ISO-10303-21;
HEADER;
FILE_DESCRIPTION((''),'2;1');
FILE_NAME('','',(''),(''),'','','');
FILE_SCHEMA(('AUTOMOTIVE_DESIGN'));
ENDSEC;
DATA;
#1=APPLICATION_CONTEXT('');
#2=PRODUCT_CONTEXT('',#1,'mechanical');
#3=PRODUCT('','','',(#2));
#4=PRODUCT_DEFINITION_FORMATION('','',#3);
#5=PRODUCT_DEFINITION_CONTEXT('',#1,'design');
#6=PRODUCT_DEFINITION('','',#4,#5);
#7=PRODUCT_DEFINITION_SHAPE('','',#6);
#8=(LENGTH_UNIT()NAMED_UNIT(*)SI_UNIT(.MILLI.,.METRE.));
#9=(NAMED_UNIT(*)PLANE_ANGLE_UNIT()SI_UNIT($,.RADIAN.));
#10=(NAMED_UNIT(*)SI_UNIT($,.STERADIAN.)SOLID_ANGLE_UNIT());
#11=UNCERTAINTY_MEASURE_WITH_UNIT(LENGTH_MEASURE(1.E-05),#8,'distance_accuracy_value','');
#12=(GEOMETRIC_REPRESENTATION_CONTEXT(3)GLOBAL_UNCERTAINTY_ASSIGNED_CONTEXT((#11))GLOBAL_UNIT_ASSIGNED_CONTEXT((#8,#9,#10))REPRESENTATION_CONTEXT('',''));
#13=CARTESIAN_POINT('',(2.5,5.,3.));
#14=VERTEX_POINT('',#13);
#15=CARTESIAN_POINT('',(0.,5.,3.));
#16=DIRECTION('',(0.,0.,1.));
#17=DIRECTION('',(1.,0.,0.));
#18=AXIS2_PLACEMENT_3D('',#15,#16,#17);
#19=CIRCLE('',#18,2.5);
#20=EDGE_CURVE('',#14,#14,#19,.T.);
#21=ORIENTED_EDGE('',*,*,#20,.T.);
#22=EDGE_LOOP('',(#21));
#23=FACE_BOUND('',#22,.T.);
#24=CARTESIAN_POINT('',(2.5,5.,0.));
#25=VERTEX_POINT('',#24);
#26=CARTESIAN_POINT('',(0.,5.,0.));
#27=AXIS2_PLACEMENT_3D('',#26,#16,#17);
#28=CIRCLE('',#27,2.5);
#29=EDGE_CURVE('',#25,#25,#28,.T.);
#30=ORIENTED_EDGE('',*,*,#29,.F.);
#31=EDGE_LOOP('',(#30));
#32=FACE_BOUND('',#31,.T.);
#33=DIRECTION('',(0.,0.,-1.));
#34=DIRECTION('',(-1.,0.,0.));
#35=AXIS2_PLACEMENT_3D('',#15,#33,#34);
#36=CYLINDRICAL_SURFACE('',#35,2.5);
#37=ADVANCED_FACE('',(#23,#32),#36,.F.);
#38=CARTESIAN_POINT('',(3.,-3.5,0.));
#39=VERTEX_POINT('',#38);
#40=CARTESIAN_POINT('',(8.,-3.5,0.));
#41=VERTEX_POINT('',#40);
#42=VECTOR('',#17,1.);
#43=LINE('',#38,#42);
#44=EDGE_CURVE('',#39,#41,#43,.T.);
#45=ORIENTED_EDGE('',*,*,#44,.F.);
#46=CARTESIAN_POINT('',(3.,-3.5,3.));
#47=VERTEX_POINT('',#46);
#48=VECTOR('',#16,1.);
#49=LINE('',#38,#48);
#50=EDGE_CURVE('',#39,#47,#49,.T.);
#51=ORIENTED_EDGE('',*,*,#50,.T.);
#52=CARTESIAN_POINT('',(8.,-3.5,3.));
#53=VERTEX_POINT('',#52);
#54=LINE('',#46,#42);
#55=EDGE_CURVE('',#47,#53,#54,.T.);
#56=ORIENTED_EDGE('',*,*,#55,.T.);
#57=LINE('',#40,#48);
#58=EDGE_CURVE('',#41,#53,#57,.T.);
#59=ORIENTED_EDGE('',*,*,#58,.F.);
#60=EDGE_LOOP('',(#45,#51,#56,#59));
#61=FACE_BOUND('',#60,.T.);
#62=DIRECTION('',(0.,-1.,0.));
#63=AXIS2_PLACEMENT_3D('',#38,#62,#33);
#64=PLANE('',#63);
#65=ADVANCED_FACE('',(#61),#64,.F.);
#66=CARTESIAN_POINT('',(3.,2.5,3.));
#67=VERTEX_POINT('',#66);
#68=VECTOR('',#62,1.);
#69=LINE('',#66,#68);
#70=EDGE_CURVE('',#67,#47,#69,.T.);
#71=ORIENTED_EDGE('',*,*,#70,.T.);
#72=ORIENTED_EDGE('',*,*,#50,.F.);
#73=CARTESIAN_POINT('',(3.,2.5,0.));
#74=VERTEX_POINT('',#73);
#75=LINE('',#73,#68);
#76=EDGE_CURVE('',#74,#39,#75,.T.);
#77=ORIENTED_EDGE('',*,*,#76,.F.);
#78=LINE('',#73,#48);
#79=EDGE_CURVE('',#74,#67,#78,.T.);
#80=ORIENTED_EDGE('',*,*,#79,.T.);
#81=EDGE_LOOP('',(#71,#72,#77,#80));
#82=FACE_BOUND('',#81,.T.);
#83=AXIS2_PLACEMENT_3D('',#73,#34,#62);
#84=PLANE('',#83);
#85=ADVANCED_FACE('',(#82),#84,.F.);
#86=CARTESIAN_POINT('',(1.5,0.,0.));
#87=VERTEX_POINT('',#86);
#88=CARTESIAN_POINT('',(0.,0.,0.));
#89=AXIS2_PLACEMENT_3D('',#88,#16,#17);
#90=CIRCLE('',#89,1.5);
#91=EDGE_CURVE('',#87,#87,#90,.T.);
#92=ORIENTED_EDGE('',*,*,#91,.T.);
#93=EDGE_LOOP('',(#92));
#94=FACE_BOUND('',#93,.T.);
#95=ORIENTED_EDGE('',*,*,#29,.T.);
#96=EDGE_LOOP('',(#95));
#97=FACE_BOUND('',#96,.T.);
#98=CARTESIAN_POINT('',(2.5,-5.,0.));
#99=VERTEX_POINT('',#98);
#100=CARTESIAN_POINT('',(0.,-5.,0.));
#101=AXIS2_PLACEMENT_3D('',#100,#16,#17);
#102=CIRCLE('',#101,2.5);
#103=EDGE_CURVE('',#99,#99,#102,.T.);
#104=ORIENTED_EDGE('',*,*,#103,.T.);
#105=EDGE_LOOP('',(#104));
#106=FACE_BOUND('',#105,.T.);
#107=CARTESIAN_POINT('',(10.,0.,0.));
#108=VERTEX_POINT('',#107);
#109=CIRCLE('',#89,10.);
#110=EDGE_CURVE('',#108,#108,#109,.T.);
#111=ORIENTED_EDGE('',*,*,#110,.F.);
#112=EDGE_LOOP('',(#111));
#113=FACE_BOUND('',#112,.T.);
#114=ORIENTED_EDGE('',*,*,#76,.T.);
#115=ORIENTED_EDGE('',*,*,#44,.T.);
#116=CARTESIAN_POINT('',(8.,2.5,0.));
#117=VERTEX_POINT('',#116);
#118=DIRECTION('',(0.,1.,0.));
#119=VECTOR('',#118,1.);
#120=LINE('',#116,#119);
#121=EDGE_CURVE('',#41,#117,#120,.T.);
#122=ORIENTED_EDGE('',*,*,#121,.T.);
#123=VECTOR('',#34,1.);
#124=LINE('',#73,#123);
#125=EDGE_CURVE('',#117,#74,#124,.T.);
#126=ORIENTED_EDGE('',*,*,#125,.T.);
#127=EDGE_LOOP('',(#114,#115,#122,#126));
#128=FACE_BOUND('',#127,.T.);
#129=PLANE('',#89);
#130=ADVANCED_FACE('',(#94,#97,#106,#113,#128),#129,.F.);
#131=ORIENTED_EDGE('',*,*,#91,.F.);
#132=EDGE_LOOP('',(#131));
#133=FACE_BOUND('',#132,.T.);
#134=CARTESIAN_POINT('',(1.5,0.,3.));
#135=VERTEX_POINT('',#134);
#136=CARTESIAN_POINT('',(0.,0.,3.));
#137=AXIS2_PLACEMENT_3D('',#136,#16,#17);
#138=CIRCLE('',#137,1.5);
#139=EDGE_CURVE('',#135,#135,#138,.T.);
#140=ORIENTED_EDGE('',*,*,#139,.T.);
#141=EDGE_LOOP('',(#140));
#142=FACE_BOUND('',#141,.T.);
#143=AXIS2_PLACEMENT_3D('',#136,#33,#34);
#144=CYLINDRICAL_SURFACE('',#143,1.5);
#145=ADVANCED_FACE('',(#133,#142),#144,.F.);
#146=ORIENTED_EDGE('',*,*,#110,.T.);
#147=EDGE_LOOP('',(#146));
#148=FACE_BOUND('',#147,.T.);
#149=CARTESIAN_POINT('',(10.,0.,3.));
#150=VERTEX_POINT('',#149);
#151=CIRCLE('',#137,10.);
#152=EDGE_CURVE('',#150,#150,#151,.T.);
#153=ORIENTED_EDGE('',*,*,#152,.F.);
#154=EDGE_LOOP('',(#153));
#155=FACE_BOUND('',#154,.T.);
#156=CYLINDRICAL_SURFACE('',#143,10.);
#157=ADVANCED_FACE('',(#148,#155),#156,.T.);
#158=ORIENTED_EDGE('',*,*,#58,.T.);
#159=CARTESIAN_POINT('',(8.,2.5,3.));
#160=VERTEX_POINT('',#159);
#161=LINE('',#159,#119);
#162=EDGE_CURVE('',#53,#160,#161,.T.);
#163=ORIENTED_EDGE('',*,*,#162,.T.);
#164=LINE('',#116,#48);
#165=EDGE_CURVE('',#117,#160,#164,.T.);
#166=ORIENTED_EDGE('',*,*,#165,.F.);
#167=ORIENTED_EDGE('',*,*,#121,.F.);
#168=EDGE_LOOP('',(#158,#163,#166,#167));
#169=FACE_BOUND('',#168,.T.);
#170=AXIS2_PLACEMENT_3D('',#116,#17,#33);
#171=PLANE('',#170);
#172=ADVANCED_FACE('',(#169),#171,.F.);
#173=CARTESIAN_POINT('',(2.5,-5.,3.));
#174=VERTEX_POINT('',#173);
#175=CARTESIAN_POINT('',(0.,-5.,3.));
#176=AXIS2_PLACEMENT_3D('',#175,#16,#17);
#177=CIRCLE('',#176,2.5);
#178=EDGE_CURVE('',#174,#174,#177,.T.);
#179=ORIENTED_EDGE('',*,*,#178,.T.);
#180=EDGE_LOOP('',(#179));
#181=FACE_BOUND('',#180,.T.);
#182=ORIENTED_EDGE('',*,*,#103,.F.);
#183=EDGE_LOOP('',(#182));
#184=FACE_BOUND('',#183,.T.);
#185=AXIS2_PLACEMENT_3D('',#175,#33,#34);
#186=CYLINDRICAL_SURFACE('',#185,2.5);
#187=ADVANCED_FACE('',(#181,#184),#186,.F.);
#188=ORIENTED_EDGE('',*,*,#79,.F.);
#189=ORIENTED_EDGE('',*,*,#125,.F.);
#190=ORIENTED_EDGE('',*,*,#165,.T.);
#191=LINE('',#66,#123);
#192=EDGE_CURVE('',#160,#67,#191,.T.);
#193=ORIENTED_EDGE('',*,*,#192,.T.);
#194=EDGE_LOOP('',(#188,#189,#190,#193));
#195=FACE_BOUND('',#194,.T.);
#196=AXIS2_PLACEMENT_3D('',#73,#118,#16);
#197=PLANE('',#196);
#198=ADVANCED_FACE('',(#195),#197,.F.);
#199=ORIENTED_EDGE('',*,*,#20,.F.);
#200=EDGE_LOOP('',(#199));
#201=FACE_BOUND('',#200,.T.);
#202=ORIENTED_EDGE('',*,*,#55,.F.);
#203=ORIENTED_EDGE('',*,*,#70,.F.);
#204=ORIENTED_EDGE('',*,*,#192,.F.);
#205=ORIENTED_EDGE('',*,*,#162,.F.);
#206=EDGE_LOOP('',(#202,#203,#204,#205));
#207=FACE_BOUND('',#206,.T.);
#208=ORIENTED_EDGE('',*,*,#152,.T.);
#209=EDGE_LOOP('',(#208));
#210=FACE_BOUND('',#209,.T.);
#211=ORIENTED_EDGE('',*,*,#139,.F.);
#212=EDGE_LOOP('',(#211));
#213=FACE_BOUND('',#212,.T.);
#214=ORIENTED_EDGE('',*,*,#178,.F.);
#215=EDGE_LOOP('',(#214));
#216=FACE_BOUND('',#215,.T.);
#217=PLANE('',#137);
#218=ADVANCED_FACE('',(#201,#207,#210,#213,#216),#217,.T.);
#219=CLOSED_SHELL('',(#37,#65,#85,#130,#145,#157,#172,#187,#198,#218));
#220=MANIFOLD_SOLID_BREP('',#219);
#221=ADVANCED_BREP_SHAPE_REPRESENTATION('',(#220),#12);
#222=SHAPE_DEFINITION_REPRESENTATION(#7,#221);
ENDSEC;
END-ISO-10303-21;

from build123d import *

# Parameters (mm, degrees)
SKETCH1_R           = 10
SKETCH1_R_2         = 2.5
SKETCH1_R_3         = 1.5
BOSS_EXTRUDE1_DEPTH = 3
SKETCH2_W           = 5
SKETCH2_H           = 6
CUT_EXTRUDE1_DEPTH  = 3


with BuildPart() as part:
    # Sketch1 → Boss-Extrude1 (new body)
    with BuildSketch(Plane.XY):
        Circle(SKETCH1_R)
        with Locations((0, 5)):
            Circle(SKETCH1_R_2, mode=Mode.SUBTRACT)
        Circle(SKETCH1_R_3, mode=Mode.SUBTRACT)
        with Locations((0, -5)):
            Circle(SKETCH1_R_2, mode=Mode.SUBTRACT)
    extrude(amount=BOSS_EXTRUDE1_DEPTH)

    # Sketch2 → Cut-Extrude1 (cut)
    with BuildSketch(Plane.XY.offset(3)):
        with Locations((5.5, -0.5)):
            Rectangle(SKETCH2_W, SKETCH2_H)
    extrude(amount=-CUT_EXTRUDE1_DEPTH, mode=Mode.SUBTRACT)


solid = part.part
